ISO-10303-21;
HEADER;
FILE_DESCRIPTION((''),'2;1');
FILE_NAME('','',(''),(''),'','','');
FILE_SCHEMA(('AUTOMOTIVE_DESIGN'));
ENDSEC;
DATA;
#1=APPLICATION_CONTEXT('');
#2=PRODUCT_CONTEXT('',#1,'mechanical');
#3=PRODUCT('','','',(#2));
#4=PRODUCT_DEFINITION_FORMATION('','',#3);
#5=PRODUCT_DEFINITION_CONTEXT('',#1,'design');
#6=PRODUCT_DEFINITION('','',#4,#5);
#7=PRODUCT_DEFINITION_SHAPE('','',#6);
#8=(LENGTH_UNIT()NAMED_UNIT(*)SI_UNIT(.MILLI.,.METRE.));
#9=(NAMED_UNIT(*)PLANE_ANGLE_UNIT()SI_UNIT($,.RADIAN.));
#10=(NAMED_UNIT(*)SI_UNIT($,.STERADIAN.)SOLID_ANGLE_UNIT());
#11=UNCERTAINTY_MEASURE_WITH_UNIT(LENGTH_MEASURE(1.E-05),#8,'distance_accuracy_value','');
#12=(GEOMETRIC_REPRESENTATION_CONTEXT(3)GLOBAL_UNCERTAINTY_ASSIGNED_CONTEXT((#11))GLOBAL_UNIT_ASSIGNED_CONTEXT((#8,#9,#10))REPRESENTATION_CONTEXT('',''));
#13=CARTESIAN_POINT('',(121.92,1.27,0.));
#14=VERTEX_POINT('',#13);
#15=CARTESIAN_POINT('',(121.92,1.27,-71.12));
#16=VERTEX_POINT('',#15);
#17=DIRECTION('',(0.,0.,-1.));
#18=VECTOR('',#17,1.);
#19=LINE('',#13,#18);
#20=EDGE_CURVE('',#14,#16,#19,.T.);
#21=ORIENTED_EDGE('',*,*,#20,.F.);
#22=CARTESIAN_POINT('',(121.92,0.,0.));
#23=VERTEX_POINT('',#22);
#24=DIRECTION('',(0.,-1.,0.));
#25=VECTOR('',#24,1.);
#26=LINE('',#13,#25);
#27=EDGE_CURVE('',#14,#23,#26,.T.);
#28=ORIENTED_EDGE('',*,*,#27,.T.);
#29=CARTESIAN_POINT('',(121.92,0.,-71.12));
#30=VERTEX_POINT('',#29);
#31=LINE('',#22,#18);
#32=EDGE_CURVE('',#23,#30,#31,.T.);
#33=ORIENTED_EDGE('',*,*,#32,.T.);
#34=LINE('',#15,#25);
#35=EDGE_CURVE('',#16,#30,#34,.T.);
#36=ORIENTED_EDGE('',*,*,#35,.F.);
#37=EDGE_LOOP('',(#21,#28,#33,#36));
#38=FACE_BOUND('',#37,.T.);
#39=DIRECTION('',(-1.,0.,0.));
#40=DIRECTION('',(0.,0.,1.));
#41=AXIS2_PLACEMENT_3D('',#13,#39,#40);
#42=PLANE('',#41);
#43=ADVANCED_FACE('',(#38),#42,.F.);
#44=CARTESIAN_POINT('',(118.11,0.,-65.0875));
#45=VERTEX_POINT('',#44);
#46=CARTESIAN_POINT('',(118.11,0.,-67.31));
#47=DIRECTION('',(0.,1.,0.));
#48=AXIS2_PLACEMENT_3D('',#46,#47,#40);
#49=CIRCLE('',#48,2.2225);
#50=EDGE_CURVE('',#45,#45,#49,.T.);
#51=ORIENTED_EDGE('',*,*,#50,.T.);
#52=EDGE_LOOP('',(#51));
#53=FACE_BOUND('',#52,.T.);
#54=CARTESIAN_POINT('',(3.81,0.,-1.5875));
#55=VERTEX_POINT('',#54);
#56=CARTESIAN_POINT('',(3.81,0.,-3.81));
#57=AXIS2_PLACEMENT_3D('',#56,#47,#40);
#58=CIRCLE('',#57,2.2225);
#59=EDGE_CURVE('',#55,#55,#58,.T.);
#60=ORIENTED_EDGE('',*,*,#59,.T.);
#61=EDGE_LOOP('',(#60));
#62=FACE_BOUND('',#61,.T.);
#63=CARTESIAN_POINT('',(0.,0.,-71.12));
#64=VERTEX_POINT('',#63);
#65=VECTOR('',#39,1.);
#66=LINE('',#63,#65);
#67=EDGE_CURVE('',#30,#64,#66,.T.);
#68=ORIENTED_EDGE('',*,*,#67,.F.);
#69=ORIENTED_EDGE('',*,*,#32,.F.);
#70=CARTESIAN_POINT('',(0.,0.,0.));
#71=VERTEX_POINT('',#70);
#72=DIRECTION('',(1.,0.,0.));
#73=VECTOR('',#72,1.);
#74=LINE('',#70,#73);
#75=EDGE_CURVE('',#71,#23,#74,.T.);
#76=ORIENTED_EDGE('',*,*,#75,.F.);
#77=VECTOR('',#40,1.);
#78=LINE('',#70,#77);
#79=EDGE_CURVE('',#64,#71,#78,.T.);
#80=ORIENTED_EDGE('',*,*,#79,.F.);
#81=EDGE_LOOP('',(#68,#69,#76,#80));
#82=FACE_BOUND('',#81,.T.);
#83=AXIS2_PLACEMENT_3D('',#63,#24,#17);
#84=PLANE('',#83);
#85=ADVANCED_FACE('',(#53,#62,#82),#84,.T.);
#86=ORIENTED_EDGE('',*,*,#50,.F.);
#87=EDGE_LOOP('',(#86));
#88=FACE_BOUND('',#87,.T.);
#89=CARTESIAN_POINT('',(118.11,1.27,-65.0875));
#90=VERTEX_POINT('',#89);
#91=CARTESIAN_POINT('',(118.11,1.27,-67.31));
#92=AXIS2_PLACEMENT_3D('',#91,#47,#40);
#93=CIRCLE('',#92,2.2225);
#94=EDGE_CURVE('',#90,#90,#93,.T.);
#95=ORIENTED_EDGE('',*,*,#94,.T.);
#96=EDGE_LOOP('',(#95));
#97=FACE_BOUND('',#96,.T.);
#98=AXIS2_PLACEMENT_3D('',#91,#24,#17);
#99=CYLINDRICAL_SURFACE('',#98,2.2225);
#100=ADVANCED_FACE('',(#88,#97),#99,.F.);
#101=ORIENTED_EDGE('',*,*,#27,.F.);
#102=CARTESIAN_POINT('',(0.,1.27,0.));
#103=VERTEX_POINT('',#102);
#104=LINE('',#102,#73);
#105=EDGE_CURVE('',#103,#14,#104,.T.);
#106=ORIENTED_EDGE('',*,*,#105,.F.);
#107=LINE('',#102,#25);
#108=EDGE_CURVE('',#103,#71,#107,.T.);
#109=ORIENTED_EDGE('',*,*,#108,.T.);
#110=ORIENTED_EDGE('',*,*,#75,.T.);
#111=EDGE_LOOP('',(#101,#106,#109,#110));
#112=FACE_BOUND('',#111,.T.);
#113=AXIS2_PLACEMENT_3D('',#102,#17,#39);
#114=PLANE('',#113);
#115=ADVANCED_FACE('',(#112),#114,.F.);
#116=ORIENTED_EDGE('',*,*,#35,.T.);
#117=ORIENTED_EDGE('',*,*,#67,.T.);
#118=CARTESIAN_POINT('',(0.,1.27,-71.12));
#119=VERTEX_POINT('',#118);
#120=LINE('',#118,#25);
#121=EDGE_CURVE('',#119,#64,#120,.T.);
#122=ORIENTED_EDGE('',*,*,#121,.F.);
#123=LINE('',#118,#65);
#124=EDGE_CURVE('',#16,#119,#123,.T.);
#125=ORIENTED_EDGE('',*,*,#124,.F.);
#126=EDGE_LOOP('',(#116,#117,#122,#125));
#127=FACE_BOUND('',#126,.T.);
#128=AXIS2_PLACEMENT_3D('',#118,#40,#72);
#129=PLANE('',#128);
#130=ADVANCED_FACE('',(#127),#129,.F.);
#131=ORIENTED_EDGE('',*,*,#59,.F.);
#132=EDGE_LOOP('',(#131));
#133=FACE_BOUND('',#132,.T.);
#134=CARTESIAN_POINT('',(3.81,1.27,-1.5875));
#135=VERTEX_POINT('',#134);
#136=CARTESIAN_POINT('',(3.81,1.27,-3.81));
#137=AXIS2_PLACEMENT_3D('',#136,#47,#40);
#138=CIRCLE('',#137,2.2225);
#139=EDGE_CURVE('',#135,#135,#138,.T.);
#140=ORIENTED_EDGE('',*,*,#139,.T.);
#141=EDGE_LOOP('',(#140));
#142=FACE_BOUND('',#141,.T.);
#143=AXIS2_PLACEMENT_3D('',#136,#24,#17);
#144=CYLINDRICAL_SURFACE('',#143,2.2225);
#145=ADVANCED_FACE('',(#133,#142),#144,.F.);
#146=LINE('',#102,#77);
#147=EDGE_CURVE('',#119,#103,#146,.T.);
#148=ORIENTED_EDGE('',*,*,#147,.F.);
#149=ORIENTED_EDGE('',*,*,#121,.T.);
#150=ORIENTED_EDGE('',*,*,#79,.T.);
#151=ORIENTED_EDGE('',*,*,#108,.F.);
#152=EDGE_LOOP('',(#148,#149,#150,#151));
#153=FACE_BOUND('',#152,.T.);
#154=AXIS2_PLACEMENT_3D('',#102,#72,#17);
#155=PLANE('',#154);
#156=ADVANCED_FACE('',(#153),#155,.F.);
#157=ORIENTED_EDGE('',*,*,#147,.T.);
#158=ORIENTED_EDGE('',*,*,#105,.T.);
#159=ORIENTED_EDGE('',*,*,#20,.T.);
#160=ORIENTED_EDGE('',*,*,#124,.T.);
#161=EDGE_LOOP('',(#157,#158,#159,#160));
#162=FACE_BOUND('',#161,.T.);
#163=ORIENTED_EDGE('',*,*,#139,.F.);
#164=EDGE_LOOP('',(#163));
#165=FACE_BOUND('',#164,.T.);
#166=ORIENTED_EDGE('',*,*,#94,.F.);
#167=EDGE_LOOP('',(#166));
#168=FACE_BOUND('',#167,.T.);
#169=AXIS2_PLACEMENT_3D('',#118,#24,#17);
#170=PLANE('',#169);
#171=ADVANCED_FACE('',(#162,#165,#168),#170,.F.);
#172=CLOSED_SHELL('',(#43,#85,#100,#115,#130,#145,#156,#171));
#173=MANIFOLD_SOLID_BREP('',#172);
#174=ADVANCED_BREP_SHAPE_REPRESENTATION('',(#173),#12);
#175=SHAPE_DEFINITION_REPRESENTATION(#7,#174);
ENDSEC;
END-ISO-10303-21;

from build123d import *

# Parameters (mm, degrees)
SKETCH1_W      = 121.92
SKETCH1_H      = 71.12
SKETCH1_R      = 2.2225
EXTRUDE1_DEPTH = 1.27


with BuildPart() as part:
    # Sketch1 → Extrude1 (new body)
    with BuildSketch(Plane(origin=(0, 0, 0), x_dir=(1, 0, 0), z_dir=(0, 1, 0))):
        with Locations((60.96, 35.56)):
            Rectangle(SKETCH1_W, SKETCH1_H)
        with Locations(Location((3.81, 3.81, 0), (0, 0, 270))):
            Circle(SKETCH1_R, mode=Mode.SUBTRACT)
        with Locations(Location((118.11, 67.31, 0), (0, 0, 270))):
            Circle(SKETCH1_R, mode=Mode.SUBTRACT)
    extrude(amount=EXTRUDE1_DEPTH)


solid = part.part
